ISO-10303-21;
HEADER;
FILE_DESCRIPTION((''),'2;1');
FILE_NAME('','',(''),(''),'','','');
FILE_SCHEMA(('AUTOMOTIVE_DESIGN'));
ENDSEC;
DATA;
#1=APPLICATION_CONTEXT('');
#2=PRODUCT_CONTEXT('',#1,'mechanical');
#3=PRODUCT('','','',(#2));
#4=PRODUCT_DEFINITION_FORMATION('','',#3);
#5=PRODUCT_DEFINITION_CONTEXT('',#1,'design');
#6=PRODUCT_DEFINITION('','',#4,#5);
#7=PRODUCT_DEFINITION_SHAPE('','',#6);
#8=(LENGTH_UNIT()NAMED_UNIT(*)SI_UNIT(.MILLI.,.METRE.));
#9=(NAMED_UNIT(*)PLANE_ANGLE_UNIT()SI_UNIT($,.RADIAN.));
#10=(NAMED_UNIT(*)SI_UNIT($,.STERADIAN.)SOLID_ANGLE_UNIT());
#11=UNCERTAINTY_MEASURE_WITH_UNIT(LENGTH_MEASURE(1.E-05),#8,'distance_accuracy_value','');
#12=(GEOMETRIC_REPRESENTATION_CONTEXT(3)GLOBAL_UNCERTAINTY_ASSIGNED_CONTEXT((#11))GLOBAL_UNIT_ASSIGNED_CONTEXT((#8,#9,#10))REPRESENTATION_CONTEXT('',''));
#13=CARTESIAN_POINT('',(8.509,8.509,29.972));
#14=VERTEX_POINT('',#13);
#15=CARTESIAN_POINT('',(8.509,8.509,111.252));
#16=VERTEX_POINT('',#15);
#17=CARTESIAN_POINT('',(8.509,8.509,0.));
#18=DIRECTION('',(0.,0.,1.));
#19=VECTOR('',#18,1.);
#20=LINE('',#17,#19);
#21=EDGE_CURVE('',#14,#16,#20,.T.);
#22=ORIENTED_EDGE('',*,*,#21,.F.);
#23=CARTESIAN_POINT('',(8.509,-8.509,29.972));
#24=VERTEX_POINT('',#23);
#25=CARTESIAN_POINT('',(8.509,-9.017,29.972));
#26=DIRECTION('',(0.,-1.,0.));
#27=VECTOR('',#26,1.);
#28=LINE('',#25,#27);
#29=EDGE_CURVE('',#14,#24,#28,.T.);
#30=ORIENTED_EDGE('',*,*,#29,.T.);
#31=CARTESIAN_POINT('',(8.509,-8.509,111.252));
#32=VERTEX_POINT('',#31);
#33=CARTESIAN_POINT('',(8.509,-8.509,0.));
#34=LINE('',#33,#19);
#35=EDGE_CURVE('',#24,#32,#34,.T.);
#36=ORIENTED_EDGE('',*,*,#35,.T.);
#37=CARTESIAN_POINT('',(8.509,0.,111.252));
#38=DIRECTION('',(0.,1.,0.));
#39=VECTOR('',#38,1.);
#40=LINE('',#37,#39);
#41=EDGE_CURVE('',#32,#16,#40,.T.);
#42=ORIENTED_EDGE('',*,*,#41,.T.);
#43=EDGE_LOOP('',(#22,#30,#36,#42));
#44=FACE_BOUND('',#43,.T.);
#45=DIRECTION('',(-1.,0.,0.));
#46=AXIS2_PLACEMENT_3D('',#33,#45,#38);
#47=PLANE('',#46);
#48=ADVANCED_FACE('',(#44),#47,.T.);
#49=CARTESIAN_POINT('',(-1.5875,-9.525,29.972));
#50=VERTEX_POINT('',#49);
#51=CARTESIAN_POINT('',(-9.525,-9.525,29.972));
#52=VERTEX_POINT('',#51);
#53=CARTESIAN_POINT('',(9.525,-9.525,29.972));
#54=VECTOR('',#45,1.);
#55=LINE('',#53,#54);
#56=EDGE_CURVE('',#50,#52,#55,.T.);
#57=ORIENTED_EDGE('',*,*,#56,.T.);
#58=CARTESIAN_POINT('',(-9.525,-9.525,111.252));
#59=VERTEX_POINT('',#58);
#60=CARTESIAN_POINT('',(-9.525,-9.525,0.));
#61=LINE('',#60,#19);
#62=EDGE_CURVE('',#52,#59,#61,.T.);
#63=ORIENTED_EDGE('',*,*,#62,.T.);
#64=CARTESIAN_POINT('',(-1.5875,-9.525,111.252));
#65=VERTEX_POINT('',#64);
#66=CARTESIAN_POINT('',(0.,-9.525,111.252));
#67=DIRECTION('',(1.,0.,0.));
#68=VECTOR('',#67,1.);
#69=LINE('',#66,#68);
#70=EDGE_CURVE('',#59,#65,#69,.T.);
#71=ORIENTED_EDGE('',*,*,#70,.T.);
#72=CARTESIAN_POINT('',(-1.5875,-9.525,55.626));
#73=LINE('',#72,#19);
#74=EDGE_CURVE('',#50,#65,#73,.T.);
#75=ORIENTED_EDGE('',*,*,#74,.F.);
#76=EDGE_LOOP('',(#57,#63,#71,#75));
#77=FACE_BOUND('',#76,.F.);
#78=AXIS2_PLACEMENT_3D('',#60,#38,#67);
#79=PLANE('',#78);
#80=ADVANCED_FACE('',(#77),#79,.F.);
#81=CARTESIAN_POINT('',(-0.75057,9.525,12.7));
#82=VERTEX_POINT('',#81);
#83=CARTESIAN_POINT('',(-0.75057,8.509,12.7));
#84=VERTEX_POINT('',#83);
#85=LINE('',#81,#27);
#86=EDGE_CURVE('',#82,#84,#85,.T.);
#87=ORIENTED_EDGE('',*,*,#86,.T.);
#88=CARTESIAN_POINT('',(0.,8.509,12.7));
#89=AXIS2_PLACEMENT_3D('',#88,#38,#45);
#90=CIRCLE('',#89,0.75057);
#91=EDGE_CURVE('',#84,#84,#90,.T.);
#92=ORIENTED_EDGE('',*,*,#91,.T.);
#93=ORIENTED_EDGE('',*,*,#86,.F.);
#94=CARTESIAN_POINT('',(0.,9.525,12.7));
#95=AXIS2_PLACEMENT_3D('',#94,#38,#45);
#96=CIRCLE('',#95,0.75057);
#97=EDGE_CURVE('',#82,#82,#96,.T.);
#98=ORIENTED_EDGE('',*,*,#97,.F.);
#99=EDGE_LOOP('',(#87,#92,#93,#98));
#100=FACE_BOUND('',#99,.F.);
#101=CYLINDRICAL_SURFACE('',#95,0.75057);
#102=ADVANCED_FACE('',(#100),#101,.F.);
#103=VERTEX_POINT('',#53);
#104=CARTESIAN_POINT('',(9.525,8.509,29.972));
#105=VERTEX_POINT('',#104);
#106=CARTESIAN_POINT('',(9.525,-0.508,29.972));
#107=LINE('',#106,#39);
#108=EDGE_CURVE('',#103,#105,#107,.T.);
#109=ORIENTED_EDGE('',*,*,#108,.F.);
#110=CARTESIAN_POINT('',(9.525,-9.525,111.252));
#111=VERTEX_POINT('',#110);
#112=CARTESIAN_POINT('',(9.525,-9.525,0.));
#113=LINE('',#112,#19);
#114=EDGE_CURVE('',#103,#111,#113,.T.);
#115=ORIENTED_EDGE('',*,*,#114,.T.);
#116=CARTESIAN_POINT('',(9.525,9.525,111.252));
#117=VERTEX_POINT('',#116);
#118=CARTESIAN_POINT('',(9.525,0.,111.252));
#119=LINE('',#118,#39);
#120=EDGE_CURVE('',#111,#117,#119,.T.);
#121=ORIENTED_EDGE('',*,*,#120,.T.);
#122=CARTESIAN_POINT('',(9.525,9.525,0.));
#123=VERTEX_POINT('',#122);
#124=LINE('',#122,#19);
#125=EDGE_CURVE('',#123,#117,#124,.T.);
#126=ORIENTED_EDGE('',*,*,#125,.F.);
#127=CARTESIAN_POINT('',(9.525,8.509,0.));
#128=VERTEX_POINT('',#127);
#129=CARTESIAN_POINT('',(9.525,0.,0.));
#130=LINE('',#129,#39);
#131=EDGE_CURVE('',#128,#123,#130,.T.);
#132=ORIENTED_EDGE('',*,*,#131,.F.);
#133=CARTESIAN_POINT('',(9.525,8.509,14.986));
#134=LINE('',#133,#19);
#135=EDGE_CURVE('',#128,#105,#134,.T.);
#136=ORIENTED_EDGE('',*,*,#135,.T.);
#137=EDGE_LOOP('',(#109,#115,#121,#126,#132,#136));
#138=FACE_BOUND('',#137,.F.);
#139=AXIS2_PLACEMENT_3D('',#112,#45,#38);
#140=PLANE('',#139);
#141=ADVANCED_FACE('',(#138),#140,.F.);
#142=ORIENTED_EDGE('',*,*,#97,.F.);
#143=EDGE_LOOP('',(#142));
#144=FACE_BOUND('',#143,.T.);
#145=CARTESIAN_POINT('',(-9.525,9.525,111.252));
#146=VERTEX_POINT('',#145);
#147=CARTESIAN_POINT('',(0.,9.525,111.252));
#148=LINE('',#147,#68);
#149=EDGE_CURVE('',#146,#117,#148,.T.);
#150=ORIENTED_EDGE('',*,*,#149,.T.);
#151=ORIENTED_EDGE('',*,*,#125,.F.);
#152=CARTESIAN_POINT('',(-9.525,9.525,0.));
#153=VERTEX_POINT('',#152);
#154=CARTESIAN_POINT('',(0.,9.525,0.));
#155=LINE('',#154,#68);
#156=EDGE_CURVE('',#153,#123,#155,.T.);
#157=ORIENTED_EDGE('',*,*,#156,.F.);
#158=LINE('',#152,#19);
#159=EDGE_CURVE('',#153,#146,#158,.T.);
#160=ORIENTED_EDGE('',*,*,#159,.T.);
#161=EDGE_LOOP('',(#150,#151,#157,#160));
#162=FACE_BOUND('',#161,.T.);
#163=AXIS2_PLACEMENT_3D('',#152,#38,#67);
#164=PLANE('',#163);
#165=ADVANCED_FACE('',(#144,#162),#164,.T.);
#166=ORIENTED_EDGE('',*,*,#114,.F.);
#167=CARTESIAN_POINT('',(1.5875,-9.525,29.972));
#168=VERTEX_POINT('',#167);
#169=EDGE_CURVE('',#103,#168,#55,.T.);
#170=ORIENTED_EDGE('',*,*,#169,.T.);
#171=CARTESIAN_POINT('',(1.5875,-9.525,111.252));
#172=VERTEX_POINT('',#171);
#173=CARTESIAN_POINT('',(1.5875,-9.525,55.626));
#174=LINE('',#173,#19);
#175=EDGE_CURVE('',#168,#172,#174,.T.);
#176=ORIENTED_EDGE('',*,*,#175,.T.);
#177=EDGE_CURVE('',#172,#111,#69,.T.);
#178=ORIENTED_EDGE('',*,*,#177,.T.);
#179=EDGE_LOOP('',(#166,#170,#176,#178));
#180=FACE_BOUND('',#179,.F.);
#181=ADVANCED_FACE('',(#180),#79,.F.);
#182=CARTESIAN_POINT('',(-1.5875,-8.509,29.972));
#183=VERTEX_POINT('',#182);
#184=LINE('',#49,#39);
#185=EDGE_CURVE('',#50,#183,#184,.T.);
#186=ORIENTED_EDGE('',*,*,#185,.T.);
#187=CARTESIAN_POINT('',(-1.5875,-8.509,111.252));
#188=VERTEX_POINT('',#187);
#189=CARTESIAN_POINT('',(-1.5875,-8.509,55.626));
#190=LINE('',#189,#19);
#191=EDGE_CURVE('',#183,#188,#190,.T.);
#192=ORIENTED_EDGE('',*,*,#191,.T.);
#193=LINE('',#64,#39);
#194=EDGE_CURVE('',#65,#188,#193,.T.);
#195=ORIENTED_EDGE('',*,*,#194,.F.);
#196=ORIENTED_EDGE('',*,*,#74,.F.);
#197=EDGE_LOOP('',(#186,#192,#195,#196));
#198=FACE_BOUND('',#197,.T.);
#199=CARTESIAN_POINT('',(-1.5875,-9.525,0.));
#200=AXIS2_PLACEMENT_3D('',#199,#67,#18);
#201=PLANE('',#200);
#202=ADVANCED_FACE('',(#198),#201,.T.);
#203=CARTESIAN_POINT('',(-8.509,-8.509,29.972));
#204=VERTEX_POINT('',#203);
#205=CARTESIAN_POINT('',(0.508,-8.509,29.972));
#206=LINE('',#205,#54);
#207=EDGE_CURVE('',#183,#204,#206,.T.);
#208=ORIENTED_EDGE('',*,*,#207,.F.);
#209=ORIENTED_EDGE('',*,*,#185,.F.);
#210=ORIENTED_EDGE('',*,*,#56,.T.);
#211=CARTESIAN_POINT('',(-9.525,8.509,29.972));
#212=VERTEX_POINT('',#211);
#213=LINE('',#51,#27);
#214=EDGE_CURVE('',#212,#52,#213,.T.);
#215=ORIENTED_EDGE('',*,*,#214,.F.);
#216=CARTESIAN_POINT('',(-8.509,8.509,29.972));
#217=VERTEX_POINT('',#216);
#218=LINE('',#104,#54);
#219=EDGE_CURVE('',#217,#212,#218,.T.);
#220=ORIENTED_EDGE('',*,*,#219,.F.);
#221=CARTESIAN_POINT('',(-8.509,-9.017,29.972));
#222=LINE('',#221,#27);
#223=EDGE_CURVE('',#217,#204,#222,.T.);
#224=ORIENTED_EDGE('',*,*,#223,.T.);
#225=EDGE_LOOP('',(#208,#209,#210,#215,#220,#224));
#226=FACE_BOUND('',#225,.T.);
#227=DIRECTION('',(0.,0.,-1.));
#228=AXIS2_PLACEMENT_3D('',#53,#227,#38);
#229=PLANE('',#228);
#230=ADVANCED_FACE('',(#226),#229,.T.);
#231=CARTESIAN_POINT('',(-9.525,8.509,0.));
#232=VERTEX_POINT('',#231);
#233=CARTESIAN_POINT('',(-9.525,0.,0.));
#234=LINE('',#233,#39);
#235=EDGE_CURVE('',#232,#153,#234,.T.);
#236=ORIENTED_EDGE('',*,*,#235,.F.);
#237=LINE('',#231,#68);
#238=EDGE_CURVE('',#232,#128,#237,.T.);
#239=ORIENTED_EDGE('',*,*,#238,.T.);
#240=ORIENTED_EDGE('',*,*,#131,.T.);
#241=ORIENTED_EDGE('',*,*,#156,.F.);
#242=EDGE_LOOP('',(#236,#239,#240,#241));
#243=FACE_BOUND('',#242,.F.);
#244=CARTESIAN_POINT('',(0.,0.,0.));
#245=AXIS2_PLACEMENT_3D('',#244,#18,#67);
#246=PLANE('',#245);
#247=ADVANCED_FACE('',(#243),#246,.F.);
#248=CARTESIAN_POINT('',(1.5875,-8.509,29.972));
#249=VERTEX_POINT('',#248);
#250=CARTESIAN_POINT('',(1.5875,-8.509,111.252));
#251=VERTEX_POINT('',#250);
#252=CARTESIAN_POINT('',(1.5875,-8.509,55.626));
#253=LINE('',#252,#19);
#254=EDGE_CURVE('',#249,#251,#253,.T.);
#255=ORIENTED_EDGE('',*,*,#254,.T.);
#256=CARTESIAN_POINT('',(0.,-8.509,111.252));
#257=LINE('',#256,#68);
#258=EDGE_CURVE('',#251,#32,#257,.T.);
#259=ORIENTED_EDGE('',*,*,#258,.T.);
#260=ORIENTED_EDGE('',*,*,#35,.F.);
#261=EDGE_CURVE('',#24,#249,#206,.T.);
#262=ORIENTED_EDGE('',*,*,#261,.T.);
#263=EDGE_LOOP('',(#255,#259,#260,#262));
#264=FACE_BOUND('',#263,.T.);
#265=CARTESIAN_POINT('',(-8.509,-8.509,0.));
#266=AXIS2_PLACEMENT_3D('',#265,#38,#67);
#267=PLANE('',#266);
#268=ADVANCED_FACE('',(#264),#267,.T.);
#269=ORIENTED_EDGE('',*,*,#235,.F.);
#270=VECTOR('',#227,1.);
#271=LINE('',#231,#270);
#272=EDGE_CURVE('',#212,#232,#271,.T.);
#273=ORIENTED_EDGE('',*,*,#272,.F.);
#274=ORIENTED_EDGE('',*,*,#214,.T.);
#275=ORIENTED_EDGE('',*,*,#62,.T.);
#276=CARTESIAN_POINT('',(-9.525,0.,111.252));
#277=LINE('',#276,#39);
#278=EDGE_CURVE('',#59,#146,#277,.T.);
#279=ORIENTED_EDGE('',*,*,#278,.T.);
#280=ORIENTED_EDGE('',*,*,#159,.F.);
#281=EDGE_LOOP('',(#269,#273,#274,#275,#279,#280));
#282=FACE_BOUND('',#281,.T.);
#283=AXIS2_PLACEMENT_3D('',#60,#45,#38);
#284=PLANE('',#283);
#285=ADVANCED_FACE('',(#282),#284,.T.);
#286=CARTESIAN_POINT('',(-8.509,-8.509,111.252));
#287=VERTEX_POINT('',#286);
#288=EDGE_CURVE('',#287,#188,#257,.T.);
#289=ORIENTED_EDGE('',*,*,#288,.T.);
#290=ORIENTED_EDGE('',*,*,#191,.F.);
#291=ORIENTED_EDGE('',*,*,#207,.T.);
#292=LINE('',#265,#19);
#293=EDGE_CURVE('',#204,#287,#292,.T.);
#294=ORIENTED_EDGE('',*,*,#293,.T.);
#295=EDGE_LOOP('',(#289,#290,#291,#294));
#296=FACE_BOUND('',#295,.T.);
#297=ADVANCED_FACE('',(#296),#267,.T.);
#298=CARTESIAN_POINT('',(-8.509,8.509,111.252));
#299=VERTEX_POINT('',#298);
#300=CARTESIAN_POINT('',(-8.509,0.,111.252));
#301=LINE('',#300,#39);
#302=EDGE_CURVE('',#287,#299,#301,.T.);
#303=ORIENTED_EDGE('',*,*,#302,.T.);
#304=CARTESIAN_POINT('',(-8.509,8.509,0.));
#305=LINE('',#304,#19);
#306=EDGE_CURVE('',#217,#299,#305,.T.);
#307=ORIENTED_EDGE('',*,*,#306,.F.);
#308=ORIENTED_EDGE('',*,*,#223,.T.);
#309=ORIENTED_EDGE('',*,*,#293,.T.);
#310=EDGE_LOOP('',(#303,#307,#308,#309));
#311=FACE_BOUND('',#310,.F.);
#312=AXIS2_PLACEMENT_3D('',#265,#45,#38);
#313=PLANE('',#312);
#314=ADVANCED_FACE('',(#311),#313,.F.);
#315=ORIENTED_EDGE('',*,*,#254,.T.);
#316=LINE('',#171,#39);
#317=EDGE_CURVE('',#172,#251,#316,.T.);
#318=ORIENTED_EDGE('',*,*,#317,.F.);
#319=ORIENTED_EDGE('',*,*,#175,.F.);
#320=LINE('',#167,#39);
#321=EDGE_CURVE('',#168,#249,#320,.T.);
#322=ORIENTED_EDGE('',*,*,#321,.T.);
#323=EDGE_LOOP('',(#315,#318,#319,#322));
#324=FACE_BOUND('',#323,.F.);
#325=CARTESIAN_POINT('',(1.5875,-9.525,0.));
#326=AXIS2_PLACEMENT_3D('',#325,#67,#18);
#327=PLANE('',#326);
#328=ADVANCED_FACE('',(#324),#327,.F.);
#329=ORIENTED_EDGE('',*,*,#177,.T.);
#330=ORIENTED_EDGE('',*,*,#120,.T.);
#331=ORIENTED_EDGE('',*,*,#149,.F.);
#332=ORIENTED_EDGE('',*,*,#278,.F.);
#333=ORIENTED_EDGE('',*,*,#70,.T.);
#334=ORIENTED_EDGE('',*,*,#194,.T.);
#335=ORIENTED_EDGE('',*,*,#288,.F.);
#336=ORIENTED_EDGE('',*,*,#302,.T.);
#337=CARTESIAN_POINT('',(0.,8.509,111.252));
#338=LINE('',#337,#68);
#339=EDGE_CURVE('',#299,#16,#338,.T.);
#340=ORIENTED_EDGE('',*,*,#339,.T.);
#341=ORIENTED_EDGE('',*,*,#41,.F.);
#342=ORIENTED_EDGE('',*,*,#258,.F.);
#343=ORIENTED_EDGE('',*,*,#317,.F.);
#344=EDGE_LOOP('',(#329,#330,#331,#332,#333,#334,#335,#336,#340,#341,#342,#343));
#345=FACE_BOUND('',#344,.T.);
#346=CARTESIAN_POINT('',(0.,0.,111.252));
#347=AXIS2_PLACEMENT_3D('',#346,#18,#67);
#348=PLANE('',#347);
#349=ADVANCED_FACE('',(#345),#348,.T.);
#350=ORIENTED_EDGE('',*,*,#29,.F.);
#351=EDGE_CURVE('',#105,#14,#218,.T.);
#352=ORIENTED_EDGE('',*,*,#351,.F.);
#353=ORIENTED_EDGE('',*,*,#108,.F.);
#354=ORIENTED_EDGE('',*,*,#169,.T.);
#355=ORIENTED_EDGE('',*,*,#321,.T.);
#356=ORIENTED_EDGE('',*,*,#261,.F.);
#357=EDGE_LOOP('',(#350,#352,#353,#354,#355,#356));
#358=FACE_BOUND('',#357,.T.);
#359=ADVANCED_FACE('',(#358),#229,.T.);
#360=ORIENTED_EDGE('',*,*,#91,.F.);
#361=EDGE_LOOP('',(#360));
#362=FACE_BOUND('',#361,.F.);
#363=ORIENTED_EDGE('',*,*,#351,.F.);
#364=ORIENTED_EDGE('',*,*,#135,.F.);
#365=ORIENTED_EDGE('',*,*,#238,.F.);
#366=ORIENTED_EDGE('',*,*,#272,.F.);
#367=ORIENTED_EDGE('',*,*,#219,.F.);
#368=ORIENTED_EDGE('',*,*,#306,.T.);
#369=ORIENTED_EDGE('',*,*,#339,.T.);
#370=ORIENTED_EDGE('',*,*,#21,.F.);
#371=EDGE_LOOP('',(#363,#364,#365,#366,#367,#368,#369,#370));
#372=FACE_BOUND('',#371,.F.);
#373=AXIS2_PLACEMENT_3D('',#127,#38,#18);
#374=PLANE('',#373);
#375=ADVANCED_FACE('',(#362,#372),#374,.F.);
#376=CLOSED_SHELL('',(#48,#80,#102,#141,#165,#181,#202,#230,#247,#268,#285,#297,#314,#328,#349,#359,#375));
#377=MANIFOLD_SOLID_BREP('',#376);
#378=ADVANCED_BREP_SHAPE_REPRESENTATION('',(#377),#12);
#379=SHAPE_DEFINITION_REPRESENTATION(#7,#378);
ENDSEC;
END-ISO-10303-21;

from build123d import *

# Parameters (mm, degrees)
F0_W     = 19.05
F0_H     = 19.05
F0_W_2   = 17.018
F0_H_2   = 17.018
F1_DEPTH = 111.252
F2_W     = 3.175
F2_H     = 111.252
F3_DEPTH = 1.016
F4_W     = 18.034
F4_H     = 29.972
F5_DEPTH = 19.051
F6_R     = 0.75057
F7_DEPTH = 19.051


with BuildPart() as f1:
    # F0 (on Top) → F1 (new body)
    with BuildSketch(Plane.XY):
        Rectangle(F0_W, F0_H)
        Rectangle(F0_W_2, F0_H_2, mode=Mode.SUBTRACT)
    extrude(amount=F1_DEPTH)

    # F2 (on face) → F3 (cut, through all)
    with BuildSketch(Plane.XZ.offset(9.525)):
        with Locations((0, 55.626)):
            Rectangle(F2_W, F2_H)
    extrude(amount=-F3_DEPTH, mode=Mode.SUBTRACT)

    # F4 (on face) → F5 (cut, through all)
    with BuildSketch(Plane.YZ.offset(9.525)):
        with Locations((-0.508, 14.986)):
            Rectangle(F4_W, F4_H)
    extrude(amount=-F5_DEPTH, mode=Mode.SUBTRACT)

    # F6 (on face) → F7 (cut, through all)
    with BuildSketch(Plane(origin=(0, 9.525, 0), x_dir=(-1, 0, 0), z_dir=(0, 1, 0))):
        with Locations((0, 12.7)):
            Circle(F6_R)
    extrude(amount=-F7_DEPTH, mode=Mode.SUBTRACT)


solid = f1.part
